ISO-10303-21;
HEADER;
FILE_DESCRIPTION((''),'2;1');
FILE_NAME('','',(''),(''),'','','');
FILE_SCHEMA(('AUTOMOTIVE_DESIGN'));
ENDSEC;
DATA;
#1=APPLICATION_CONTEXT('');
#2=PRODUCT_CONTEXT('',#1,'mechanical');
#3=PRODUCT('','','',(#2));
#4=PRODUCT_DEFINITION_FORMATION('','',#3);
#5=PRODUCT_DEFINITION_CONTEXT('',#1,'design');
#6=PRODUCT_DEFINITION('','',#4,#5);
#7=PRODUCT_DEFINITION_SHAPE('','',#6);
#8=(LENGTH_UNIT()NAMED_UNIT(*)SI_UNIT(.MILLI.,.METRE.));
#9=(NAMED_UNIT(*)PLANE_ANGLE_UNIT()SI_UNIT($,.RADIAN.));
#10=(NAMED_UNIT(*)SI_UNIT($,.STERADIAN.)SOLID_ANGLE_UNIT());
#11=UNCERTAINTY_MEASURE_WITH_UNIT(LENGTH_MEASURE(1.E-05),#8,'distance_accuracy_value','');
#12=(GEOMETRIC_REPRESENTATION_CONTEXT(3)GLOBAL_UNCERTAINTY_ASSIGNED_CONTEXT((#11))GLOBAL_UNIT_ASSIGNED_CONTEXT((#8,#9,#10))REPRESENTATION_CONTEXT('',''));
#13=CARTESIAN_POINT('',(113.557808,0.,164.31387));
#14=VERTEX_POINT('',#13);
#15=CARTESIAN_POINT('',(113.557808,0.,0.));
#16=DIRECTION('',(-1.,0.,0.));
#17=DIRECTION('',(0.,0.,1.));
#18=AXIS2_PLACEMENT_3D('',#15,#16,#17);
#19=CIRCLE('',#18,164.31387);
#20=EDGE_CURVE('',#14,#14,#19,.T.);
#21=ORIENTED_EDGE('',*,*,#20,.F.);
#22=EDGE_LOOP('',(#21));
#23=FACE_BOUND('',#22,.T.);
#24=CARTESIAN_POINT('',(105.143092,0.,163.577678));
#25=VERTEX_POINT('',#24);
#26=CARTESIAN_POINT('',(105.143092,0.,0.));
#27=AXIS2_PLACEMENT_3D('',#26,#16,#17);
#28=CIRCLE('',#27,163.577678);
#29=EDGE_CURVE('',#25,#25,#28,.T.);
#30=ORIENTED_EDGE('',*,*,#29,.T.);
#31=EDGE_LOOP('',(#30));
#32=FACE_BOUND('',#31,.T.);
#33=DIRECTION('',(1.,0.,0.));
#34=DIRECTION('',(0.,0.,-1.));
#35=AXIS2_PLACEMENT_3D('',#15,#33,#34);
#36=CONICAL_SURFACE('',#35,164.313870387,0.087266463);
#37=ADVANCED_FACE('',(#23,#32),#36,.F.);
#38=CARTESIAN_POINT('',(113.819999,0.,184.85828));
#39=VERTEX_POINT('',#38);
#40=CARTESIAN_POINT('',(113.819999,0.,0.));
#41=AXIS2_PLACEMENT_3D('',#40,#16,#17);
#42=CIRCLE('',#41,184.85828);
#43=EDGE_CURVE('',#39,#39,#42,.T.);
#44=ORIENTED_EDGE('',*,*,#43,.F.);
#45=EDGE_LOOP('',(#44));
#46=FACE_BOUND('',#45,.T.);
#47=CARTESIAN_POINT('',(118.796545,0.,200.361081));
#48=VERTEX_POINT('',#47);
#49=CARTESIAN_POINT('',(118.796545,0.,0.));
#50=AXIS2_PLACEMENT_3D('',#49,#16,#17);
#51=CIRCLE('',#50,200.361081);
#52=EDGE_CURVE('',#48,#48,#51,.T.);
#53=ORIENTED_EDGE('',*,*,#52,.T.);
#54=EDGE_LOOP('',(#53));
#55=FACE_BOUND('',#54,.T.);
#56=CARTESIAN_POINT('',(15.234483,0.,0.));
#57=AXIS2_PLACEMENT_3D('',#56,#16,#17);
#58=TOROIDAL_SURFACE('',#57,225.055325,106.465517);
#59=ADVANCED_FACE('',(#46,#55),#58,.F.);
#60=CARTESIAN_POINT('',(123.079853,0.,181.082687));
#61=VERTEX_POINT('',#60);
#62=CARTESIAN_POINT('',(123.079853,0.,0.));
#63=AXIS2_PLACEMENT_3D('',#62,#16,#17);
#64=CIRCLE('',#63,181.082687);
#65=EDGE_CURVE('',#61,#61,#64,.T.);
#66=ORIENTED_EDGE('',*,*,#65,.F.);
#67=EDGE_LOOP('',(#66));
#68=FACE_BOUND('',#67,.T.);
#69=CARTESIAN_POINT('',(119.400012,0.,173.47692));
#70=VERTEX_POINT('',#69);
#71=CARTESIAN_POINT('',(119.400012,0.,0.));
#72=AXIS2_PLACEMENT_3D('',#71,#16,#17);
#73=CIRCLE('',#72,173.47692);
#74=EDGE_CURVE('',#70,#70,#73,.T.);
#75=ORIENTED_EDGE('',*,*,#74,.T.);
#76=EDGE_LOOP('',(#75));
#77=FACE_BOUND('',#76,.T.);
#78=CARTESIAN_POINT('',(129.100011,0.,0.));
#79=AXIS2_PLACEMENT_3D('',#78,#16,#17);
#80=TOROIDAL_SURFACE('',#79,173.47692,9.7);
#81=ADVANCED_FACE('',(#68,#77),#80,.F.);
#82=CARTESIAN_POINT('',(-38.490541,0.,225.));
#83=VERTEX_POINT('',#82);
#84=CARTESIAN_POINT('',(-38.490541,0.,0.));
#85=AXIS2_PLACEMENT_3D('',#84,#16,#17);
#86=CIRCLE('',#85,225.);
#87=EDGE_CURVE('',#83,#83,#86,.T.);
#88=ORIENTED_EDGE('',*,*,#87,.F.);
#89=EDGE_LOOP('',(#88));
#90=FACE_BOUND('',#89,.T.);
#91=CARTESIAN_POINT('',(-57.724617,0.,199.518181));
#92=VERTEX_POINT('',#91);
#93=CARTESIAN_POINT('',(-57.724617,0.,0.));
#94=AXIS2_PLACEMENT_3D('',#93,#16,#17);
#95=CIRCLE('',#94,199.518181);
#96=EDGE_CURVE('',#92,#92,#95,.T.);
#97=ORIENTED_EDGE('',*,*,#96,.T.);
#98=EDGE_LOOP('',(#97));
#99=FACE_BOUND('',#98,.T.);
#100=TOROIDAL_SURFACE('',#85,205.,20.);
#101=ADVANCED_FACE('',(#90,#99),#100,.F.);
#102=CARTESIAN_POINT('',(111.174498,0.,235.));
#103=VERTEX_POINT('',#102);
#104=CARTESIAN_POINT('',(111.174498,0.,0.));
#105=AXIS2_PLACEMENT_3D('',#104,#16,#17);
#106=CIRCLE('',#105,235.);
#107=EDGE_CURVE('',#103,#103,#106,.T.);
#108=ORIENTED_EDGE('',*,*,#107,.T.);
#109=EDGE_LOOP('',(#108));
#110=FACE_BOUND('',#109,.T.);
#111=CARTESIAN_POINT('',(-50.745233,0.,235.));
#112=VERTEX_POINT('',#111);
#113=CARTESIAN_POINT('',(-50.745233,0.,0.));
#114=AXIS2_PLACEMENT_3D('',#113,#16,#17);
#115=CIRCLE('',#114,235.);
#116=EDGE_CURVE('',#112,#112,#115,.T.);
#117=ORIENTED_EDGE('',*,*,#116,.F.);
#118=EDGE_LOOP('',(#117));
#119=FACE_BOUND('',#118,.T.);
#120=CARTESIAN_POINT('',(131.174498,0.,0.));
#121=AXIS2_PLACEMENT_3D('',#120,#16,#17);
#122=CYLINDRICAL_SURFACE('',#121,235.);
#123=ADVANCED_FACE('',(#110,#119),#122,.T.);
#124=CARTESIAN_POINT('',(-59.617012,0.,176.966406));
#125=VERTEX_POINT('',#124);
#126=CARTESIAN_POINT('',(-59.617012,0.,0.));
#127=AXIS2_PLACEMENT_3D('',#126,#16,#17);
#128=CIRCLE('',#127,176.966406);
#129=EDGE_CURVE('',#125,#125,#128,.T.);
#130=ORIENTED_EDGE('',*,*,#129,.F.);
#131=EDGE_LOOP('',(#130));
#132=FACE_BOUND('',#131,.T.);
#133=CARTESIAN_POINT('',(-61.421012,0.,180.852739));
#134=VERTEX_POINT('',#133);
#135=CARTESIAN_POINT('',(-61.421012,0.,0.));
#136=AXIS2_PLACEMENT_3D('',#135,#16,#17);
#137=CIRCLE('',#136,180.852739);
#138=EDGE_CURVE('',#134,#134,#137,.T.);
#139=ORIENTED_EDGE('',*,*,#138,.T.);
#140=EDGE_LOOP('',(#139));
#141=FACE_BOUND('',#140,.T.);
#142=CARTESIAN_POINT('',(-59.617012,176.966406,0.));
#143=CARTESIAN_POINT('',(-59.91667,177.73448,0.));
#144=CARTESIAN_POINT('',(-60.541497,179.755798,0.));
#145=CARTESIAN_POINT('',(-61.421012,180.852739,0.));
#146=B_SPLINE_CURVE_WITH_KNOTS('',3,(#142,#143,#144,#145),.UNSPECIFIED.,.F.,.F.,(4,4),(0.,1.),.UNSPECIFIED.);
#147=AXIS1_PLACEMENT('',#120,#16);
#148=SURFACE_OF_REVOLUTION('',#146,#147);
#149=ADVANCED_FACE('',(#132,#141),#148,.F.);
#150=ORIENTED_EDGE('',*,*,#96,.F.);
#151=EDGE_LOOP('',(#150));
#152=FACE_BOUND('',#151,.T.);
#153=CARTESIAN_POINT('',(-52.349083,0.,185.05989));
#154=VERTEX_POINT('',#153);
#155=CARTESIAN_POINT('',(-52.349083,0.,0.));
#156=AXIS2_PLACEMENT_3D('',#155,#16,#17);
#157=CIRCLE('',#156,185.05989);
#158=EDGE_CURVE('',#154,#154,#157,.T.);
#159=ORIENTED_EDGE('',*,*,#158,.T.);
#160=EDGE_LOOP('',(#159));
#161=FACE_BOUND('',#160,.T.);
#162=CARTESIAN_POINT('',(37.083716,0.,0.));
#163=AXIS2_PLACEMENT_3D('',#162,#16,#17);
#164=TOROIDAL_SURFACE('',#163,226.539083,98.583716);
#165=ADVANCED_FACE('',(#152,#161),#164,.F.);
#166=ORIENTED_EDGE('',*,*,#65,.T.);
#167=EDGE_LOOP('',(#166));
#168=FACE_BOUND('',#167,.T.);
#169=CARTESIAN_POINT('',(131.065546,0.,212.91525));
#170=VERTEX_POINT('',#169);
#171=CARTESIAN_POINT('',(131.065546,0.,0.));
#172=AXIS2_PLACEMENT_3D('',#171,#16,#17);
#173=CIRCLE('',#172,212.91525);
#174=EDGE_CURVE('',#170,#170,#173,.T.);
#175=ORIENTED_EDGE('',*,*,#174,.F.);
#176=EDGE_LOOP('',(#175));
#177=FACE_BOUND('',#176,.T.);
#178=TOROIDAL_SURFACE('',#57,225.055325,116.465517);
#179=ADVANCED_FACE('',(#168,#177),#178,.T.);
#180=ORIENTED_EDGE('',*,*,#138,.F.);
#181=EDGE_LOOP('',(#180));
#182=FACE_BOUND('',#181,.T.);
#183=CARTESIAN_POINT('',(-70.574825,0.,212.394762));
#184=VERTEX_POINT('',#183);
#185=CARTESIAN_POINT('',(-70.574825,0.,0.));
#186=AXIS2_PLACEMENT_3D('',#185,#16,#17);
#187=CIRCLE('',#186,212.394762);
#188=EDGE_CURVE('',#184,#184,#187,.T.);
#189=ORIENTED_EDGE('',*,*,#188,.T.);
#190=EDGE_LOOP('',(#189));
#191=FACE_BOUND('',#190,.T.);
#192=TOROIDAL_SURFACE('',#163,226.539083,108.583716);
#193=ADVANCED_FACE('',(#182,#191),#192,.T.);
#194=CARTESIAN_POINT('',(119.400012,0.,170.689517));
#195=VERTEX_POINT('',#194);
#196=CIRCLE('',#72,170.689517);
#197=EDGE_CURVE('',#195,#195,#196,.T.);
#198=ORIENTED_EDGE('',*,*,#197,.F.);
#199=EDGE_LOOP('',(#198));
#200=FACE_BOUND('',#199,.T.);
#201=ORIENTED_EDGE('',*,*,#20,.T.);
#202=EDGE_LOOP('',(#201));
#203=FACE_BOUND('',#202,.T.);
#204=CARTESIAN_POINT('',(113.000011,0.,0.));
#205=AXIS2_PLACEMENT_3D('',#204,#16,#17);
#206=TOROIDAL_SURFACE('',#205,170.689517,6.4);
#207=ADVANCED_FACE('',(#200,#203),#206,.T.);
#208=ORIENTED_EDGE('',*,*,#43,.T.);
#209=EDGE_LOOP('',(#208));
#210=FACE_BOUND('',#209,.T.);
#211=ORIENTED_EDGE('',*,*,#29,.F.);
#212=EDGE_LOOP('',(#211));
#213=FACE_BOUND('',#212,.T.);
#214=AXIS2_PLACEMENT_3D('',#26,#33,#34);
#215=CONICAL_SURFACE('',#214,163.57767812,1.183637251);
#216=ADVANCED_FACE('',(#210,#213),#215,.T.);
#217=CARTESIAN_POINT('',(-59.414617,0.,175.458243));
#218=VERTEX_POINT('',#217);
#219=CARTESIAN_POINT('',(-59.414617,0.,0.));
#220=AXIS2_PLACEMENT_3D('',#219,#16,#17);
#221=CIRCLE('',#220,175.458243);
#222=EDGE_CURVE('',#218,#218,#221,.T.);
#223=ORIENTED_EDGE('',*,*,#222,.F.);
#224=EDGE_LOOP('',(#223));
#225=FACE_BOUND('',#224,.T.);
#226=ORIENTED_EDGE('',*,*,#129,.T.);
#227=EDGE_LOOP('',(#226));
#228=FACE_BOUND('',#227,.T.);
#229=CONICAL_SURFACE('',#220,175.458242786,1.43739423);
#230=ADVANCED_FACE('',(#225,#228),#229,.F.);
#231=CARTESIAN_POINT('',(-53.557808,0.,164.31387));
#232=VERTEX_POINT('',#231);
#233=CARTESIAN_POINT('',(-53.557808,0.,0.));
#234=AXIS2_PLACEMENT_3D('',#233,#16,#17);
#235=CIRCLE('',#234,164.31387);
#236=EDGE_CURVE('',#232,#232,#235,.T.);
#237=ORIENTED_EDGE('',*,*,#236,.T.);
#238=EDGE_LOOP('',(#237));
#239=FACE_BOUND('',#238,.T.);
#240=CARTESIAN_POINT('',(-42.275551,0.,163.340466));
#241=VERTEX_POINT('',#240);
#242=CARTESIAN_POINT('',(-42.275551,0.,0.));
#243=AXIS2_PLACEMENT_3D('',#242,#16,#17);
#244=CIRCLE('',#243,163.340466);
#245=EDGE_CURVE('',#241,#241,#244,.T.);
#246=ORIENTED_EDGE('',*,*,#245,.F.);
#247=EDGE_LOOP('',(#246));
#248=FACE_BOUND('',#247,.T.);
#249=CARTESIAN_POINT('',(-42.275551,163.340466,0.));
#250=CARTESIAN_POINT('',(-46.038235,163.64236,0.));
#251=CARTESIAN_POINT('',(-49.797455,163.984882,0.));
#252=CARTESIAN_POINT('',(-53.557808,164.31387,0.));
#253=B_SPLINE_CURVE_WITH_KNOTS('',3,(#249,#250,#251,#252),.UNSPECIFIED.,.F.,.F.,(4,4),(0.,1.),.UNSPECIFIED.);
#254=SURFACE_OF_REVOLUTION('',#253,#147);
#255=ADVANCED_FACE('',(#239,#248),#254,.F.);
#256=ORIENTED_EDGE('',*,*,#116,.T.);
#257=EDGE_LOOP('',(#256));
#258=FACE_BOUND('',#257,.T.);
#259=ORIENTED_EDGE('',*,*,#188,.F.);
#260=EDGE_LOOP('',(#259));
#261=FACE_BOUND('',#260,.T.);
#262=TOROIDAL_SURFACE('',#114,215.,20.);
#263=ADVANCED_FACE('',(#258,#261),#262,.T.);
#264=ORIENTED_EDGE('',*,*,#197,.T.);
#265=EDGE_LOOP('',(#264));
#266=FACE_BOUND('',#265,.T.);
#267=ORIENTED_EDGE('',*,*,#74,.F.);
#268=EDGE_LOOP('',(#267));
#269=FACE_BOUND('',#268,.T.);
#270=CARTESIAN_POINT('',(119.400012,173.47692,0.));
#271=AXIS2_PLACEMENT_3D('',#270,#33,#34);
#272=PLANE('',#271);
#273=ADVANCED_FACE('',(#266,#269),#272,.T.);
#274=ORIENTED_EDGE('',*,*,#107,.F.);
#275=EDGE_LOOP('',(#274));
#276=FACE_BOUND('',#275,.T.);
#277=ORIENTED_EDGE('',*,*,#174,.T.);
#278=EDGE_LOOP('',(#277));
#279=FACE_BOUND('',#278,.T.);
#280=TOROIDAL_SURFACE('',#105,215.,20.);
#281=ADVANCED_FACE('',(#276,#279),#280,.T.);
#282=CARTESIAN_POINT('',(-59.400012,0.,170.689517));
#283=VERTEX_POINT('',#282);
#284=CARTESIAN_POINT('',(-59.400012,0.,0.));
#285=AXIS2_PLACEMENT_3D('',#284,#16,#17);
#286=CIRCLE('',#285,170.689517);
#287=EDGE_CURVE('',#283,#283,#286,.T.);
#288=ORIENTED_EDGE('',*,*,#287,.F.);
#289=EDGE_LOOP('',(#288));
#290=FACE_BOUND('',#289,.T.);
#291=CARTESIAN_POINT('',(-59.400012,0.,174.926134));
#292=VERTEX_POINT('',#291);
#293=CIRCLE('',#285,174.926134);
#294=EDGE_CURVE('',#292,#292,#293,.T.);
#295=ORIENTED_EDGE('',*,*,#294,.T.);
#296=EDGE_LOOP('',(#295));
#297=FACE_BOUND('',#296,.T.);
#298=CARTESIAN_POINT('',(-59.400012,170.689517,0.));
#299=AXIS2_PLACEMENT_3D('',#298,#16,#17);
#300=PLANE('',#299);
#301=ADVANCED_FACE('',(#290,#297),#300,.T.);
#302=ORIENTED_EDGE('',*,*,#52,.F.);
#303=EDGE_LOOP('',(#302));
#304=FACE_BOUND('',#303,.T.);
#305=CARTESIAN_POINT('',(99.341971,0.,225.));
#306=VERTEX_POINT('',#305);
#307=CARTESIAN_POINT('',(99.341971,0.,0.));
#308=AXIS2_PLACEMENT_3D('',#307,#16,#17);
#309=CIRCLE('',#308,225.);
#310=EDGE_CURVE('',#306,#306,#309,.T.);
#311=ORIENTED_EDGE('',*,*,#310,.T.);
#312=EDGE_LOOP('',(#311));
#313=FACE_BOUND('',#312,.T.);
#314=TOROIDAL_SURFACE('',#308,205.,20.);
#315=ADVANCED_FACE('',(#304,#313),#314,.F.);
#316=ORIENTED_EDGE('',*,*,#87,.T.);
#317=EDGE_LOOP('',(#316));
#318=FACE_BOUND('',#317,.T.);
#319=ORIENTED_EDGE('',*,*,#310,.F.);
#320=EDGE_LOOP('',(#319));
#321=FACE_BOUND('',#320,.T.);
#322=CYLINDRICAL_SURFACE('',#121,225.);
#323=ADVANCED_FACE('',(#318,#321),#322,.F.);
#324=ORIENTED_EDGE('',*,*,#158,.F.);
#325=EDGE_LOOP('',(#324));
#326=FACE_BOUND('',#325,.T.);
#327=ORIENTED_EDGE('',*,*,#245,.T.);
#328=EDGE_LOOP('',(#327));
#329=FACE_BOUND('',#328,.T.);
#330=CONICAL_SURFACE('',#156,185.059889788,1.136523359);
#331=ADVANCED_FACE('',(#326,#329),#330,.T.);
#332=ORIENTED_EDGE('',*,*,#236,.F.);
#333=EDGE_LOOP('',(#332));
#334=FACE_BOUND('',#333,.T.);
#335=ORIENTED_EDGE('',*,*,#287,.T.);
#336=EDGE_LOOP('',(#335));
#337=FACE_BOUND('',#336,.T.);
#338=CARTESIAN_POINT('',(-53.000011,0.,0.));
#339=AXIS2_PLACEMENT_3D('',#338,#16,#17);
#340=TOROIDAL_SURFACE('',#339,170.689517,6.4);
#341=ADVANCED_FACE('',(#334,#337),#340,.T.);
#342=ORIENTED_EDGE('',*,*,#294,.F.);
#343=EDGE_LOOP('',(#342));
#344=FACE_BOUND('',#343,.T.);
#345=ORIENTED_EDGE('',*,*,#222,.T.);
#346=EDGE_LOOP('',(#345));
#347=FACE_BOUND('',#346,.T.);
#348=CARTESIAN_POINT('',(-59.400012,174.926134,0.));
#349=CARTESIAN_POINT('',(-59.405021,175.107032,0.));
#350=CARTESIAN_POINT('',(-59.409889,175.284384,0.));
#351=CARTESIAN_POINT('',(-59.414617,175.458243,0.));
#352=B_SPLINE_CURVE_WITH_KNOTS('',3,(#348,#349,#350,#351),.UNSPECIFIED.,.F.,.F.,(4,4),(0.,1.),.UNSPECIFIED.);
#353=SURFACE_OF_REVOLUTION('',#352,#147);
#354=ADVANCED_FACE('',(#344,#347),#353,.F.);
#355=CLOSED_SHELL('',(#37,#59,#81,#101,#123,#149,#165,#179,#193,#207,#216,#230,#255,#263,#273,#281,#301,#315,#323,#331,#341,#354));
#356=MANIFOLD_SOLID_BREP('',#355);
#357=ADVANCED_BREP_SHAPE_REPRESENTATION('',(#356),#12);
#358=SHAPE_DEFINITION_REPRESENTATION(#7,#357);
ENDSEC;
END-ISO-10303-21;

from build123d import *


with BuildPart() as part:
    # Sketch1 → Revolve1 (revolve)
    with BuildSketch(Plane(origin=(0, 0, 0), x_dir=(-1, 0, 0), z_dir=(0, 0, -1)), mode=Mode.PRIVATE) as revolve1_sk:
        with BuildLine():
            Line((-99.341971214, 225), (38.49054089, 225))
            ThreePointArc((38.49054089, 225), (54.453566459, 217.049141658), (57.724616527, 199.51818147))
            ThreePointArc((57.724616527, 199.51818147), (55.320067435, 192.183736475), (52.349083073, 185.059889788))
            Line((52.349083073, 185.059889788), (42.275550867, 163.34046617))
            add(Edge.make_bspline(
                [(42.275550867, 163.34046617), (46.038235273, 163.642360166), (49.797455181, 163.984882127), (53.557808206, 164.313870387)],
                knots=[0, 0, 0, 0, 1, 1, 1, 1], degree=3))
            ThreePointArc((53.557808206, 164.313870387), (57.71858647, 166.365739157), (59.400011539, 170.68951655))
            add(Edge.make_bspline(
                [(59.400011539, 170.68951655), (59.400011539, 172.101722208), (59.40001154, 173.513927866), (59.40001154, 174.926133525)],
                knots=[0, 0, 0, 0, 1, 1, 1, 1], degree=3))
            add(Edge.make_bspline(
                [(59.40001154, 174.926133525), (59.405021402, 175.107032476), (59.409889033, 175.284384181), (59.414617396, 175.458242786)],
                knots=[0, 0, 0, 0, 1, 1, 1, 1], degree=3))
            add(Edge.make_bspline(
                [(59.414617396, 175.458242786), (59.482082111, 175.960963787), (59.549546825, 176.463684788), (59.61701154, 176.966405789)],
                knots=[0, 0, 0, 0, 1, 1, 1, 1], degree=3))
            add(Edge.make_bspline(
                [(59.61701154, 176.966405789), (59.916669997, 177.734480247), (60.541497009, 179.755797869), (61.42101154, 180.852739441)],
                knots=[0, 0, 0, 0, 1, 1, 1, 1], degree=3))
            ThreePointArc((61.42101154, 180.852739441), (67.197385684, 196.275653178), (70.574825466, 212.394761929))
            ThreePointArc((70.574825466, 212.394761929), (65.780271504, 228.188920323), (50.74523307, 235))
            Line((50.74523307, 235), (-111.174497648, 235))
            ThreePointArc((-111.174497648, 235), (-126.035436417, 228.384786098), (-131.065546312, 212.915249889))
            ThreePointArc((-131.065546312, 212.915249889), (-128.199586868, 196.716271297), (-123.079852775, 181.082687135))
            ThreePointArc((-123.079852775, 181.082687135), (-120.368300941, 177.701518602), (-119.40001154, 173.476920439))
            add(Edge.make_bspline(
                [(-119.40001154, 173.476920439), (-119.40001154, 172.547785809), (-119.400011539, 171.61865118), (-119.400011539, 170.68951655)],
                knots=[0, 0, 0, 0, 1, 1, 1, 1], degree=3))
            ThreePointArc((-119.400011539, 170.68951655), (-117.718586469, 166.365739157), (-113.557808205, 164.313870387))
            Line((-113.557808205, 164.313870387), (-105.143092091, 163.57767812))
            Line((-105.143092091, 163.57767812), (-113.819998649, 184.858280015))
            ThreePointArc((-113.819998649, 184.858280015), (-116.605065425, 192.51440711), (-118.796544816, 200.361081381))
            ThreePointArc((-118.796544816, 200.361081381), (-115.038760255, 217.393982968), (-99.341971214, 225))
        make_face()
    revolve(revolve1_sk.sketch.rotate(Axis((131.174497648, 0, 0), (-1, 0, 0)), 270), axis=Axis((131.174497648, 0, 0), (-1, 0, 0)))


solid = part.part
